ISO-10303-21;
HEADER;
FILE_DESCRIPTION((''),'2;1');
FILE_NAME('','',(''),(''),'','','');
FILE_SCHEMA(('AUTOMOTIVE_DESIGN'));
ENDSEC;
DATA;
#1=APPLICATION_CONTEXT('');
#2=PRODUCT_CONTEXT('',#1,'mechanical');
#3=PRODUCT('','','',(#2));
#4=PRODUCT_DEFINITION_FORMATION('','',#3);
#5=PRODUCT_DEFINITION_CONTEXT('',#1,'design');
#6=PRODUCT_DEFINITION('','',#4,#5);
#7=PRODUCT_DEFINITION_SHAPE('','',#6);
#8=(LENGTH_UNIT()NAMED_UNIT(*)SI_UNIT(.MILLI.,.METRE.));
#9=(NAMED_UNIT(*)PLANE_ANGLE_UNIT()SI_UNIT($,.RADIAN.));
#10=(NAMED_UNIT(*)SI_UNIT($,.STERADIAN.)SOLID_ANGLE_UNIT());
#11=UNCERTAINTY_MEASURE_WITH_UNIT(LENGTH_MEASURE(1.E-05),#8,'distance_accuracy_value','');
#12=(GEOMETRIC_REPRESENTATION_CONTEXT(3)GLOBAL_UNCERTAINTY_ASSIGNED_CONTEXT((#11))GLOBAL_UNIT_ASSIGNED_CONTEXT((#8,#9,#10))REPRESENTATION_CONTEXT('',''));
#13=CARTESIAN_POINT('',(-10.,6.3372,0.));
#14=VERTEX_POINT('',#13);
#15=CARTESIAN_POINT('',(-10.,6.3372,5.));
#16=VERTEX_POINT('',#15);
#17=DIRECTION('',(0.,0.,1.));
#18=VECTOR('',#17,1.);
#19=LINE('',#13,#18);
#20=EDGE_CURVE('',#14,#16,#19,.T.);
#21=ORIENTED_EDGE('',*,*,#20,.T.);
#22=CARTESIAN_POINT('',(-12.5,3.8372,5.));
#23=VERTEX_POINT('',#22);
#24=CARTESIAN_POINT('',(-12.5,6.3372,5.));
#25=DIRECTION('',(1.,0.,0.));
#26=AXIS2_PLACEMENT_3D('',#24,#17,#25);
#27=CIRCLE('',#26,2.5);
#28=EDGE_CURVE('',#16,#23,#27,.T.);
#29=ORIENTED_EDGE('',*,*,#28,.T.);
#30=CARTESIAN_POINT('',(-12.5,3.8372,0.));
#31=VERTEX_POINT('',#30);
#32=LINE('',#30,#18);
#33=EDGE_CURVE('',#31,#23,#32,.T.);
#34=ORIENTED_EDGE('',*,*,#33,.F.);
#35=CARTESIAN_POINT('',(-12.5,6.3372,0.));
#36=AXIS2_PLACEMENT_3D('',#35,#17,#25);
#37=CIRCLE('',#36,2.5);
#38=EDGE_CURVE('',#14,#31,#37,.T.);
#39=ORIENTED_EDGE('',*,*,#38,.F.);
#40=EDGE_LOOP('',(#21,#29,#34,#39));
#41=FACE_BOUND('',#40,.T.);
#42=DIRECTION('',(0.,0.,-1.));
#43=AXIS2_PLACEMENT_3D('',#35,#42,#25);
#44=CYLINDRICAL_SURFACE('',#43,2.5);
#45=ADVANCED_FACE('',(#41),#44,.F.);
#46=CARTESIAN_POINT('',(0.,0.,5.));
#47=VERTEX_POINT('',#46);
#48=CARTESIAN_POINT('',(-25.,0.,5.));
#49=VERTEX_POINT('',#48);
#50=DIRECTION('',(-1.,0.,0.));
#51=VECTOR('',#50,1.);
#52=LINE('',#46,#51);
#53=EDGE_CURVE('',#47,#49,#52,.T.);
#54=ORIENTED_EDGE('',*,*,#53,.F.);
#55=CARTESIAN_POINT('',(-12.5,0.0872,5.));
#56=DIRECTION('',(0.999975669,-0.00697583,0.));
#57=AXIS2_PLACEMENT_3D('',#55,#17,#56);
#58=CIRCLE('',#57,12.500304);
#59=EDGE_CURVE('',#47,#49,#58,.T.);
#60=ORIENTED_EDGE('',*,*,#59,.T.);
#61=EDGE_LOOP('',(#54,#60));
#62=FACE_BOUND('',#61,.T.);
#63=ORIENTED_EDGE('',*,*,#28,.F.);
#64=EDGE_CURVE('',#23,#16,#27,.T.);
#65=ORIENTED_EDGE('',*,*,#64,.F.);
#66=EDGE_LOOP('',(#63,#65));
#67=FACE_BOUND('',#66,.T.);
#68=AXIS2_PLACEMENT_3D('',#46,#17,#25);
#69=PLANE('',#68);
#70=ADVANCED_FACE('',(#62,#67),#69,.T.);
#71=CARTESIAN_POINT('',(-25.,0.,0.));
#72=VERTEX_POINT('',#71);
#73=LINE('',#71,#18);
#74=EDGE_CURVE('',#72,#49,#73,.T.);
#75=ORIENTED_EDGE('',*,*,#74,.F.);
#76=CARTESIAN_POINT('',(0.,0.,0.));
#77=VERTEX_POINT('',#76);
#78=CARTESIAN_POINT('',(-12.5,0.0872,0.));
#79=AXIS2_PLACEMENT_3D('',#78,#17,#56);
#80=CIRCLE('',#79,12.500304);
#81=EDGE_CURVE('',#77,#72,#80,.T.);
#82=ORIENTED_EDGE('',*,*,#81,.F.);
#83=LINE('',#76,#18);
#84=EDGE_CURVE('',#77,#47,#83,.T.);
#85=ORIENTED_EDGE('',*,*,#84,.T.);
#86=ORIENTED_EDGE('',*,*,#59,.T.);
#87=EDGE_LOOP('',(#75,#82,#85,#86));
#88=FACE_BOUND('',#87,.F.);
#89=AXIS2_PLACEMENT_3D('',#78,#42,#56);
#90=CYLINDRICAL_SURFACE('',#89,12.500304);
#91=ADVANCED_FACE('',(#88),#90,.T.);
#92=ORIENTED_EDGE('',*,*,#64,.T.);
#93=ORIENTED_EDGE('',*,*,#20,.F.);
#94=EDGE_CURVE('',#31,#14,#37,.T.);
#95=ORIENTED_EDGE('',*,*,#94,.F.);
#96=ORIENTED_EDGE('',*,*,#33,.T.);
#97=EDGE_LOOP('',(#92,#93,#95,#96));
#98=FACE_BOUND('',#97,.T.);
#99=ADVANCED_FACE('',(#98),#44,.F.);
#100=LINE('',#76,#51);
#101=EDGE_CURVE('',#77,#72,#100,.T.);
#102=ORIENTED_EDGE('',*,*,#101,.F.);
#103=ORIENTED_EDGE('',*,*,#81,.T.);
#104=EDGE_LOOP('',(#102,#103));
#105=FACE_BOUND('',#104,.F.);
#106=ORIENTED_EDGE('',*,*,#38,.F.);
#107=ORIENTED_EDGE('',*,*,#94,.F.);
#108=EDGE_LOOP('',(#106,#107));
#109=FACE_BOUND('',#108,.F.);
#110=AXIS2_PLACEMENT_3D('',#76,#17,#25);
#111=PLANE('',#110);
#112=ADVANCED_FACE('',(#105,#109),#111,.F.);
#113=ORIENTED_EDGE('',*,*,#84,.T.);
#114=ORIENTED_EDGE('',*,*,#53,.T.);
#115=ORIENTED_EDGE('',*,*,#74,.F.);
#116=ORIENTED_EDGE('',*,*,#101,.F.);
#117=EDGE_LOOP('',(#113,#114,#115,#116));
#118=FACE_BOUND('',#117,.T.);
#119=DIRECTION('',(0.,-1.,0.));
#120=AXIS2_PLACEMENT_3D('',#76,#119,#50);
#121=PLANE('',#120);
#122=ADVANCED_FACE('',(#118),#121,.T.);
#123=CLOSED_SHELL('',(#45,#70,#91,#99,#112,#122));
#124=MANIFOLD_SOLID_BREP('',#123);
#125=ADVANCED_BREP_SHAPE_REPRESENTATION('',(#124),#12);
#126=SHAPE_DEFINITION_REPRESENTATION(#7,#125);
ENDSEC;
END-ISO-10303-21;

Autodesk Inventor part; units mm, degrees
ref_plane "YZ Plane" through (0, 0, 0) normal (1, 0, 0) x (0, 1, 0)
ref_plane "XZ Plane" through (0, 0, 0) normal (0, 1, 0) x (-1, 0, 0)
ref_plane "XY Plane" through (0, 0, 0) normal (0, 0, 1) x (1, 0, 0)
sketch "Sketch1" plane through (0, 0, 0) normal (0, 0, 1) x (1, 0, 0)
  line L0 (0, 0) -> (-25, 0)
  arc A0 (0, 0) -> (-25, 0) centre (-12.5, 0.0872) ccw
  line L1 (-12.5, 0.0872) -> (-12.5, 6.3372)
  circle A1 centre (-12.5, 6.3372) radius 2.5
  dimension "d0" = 25
  dimension "d1" = 6.25
  dimension "d2" = 5
extrude "Extrusion1" add sketch "Sketch1" along normal blind 5
properties part number "Fixacao_FreioDianteiro"
